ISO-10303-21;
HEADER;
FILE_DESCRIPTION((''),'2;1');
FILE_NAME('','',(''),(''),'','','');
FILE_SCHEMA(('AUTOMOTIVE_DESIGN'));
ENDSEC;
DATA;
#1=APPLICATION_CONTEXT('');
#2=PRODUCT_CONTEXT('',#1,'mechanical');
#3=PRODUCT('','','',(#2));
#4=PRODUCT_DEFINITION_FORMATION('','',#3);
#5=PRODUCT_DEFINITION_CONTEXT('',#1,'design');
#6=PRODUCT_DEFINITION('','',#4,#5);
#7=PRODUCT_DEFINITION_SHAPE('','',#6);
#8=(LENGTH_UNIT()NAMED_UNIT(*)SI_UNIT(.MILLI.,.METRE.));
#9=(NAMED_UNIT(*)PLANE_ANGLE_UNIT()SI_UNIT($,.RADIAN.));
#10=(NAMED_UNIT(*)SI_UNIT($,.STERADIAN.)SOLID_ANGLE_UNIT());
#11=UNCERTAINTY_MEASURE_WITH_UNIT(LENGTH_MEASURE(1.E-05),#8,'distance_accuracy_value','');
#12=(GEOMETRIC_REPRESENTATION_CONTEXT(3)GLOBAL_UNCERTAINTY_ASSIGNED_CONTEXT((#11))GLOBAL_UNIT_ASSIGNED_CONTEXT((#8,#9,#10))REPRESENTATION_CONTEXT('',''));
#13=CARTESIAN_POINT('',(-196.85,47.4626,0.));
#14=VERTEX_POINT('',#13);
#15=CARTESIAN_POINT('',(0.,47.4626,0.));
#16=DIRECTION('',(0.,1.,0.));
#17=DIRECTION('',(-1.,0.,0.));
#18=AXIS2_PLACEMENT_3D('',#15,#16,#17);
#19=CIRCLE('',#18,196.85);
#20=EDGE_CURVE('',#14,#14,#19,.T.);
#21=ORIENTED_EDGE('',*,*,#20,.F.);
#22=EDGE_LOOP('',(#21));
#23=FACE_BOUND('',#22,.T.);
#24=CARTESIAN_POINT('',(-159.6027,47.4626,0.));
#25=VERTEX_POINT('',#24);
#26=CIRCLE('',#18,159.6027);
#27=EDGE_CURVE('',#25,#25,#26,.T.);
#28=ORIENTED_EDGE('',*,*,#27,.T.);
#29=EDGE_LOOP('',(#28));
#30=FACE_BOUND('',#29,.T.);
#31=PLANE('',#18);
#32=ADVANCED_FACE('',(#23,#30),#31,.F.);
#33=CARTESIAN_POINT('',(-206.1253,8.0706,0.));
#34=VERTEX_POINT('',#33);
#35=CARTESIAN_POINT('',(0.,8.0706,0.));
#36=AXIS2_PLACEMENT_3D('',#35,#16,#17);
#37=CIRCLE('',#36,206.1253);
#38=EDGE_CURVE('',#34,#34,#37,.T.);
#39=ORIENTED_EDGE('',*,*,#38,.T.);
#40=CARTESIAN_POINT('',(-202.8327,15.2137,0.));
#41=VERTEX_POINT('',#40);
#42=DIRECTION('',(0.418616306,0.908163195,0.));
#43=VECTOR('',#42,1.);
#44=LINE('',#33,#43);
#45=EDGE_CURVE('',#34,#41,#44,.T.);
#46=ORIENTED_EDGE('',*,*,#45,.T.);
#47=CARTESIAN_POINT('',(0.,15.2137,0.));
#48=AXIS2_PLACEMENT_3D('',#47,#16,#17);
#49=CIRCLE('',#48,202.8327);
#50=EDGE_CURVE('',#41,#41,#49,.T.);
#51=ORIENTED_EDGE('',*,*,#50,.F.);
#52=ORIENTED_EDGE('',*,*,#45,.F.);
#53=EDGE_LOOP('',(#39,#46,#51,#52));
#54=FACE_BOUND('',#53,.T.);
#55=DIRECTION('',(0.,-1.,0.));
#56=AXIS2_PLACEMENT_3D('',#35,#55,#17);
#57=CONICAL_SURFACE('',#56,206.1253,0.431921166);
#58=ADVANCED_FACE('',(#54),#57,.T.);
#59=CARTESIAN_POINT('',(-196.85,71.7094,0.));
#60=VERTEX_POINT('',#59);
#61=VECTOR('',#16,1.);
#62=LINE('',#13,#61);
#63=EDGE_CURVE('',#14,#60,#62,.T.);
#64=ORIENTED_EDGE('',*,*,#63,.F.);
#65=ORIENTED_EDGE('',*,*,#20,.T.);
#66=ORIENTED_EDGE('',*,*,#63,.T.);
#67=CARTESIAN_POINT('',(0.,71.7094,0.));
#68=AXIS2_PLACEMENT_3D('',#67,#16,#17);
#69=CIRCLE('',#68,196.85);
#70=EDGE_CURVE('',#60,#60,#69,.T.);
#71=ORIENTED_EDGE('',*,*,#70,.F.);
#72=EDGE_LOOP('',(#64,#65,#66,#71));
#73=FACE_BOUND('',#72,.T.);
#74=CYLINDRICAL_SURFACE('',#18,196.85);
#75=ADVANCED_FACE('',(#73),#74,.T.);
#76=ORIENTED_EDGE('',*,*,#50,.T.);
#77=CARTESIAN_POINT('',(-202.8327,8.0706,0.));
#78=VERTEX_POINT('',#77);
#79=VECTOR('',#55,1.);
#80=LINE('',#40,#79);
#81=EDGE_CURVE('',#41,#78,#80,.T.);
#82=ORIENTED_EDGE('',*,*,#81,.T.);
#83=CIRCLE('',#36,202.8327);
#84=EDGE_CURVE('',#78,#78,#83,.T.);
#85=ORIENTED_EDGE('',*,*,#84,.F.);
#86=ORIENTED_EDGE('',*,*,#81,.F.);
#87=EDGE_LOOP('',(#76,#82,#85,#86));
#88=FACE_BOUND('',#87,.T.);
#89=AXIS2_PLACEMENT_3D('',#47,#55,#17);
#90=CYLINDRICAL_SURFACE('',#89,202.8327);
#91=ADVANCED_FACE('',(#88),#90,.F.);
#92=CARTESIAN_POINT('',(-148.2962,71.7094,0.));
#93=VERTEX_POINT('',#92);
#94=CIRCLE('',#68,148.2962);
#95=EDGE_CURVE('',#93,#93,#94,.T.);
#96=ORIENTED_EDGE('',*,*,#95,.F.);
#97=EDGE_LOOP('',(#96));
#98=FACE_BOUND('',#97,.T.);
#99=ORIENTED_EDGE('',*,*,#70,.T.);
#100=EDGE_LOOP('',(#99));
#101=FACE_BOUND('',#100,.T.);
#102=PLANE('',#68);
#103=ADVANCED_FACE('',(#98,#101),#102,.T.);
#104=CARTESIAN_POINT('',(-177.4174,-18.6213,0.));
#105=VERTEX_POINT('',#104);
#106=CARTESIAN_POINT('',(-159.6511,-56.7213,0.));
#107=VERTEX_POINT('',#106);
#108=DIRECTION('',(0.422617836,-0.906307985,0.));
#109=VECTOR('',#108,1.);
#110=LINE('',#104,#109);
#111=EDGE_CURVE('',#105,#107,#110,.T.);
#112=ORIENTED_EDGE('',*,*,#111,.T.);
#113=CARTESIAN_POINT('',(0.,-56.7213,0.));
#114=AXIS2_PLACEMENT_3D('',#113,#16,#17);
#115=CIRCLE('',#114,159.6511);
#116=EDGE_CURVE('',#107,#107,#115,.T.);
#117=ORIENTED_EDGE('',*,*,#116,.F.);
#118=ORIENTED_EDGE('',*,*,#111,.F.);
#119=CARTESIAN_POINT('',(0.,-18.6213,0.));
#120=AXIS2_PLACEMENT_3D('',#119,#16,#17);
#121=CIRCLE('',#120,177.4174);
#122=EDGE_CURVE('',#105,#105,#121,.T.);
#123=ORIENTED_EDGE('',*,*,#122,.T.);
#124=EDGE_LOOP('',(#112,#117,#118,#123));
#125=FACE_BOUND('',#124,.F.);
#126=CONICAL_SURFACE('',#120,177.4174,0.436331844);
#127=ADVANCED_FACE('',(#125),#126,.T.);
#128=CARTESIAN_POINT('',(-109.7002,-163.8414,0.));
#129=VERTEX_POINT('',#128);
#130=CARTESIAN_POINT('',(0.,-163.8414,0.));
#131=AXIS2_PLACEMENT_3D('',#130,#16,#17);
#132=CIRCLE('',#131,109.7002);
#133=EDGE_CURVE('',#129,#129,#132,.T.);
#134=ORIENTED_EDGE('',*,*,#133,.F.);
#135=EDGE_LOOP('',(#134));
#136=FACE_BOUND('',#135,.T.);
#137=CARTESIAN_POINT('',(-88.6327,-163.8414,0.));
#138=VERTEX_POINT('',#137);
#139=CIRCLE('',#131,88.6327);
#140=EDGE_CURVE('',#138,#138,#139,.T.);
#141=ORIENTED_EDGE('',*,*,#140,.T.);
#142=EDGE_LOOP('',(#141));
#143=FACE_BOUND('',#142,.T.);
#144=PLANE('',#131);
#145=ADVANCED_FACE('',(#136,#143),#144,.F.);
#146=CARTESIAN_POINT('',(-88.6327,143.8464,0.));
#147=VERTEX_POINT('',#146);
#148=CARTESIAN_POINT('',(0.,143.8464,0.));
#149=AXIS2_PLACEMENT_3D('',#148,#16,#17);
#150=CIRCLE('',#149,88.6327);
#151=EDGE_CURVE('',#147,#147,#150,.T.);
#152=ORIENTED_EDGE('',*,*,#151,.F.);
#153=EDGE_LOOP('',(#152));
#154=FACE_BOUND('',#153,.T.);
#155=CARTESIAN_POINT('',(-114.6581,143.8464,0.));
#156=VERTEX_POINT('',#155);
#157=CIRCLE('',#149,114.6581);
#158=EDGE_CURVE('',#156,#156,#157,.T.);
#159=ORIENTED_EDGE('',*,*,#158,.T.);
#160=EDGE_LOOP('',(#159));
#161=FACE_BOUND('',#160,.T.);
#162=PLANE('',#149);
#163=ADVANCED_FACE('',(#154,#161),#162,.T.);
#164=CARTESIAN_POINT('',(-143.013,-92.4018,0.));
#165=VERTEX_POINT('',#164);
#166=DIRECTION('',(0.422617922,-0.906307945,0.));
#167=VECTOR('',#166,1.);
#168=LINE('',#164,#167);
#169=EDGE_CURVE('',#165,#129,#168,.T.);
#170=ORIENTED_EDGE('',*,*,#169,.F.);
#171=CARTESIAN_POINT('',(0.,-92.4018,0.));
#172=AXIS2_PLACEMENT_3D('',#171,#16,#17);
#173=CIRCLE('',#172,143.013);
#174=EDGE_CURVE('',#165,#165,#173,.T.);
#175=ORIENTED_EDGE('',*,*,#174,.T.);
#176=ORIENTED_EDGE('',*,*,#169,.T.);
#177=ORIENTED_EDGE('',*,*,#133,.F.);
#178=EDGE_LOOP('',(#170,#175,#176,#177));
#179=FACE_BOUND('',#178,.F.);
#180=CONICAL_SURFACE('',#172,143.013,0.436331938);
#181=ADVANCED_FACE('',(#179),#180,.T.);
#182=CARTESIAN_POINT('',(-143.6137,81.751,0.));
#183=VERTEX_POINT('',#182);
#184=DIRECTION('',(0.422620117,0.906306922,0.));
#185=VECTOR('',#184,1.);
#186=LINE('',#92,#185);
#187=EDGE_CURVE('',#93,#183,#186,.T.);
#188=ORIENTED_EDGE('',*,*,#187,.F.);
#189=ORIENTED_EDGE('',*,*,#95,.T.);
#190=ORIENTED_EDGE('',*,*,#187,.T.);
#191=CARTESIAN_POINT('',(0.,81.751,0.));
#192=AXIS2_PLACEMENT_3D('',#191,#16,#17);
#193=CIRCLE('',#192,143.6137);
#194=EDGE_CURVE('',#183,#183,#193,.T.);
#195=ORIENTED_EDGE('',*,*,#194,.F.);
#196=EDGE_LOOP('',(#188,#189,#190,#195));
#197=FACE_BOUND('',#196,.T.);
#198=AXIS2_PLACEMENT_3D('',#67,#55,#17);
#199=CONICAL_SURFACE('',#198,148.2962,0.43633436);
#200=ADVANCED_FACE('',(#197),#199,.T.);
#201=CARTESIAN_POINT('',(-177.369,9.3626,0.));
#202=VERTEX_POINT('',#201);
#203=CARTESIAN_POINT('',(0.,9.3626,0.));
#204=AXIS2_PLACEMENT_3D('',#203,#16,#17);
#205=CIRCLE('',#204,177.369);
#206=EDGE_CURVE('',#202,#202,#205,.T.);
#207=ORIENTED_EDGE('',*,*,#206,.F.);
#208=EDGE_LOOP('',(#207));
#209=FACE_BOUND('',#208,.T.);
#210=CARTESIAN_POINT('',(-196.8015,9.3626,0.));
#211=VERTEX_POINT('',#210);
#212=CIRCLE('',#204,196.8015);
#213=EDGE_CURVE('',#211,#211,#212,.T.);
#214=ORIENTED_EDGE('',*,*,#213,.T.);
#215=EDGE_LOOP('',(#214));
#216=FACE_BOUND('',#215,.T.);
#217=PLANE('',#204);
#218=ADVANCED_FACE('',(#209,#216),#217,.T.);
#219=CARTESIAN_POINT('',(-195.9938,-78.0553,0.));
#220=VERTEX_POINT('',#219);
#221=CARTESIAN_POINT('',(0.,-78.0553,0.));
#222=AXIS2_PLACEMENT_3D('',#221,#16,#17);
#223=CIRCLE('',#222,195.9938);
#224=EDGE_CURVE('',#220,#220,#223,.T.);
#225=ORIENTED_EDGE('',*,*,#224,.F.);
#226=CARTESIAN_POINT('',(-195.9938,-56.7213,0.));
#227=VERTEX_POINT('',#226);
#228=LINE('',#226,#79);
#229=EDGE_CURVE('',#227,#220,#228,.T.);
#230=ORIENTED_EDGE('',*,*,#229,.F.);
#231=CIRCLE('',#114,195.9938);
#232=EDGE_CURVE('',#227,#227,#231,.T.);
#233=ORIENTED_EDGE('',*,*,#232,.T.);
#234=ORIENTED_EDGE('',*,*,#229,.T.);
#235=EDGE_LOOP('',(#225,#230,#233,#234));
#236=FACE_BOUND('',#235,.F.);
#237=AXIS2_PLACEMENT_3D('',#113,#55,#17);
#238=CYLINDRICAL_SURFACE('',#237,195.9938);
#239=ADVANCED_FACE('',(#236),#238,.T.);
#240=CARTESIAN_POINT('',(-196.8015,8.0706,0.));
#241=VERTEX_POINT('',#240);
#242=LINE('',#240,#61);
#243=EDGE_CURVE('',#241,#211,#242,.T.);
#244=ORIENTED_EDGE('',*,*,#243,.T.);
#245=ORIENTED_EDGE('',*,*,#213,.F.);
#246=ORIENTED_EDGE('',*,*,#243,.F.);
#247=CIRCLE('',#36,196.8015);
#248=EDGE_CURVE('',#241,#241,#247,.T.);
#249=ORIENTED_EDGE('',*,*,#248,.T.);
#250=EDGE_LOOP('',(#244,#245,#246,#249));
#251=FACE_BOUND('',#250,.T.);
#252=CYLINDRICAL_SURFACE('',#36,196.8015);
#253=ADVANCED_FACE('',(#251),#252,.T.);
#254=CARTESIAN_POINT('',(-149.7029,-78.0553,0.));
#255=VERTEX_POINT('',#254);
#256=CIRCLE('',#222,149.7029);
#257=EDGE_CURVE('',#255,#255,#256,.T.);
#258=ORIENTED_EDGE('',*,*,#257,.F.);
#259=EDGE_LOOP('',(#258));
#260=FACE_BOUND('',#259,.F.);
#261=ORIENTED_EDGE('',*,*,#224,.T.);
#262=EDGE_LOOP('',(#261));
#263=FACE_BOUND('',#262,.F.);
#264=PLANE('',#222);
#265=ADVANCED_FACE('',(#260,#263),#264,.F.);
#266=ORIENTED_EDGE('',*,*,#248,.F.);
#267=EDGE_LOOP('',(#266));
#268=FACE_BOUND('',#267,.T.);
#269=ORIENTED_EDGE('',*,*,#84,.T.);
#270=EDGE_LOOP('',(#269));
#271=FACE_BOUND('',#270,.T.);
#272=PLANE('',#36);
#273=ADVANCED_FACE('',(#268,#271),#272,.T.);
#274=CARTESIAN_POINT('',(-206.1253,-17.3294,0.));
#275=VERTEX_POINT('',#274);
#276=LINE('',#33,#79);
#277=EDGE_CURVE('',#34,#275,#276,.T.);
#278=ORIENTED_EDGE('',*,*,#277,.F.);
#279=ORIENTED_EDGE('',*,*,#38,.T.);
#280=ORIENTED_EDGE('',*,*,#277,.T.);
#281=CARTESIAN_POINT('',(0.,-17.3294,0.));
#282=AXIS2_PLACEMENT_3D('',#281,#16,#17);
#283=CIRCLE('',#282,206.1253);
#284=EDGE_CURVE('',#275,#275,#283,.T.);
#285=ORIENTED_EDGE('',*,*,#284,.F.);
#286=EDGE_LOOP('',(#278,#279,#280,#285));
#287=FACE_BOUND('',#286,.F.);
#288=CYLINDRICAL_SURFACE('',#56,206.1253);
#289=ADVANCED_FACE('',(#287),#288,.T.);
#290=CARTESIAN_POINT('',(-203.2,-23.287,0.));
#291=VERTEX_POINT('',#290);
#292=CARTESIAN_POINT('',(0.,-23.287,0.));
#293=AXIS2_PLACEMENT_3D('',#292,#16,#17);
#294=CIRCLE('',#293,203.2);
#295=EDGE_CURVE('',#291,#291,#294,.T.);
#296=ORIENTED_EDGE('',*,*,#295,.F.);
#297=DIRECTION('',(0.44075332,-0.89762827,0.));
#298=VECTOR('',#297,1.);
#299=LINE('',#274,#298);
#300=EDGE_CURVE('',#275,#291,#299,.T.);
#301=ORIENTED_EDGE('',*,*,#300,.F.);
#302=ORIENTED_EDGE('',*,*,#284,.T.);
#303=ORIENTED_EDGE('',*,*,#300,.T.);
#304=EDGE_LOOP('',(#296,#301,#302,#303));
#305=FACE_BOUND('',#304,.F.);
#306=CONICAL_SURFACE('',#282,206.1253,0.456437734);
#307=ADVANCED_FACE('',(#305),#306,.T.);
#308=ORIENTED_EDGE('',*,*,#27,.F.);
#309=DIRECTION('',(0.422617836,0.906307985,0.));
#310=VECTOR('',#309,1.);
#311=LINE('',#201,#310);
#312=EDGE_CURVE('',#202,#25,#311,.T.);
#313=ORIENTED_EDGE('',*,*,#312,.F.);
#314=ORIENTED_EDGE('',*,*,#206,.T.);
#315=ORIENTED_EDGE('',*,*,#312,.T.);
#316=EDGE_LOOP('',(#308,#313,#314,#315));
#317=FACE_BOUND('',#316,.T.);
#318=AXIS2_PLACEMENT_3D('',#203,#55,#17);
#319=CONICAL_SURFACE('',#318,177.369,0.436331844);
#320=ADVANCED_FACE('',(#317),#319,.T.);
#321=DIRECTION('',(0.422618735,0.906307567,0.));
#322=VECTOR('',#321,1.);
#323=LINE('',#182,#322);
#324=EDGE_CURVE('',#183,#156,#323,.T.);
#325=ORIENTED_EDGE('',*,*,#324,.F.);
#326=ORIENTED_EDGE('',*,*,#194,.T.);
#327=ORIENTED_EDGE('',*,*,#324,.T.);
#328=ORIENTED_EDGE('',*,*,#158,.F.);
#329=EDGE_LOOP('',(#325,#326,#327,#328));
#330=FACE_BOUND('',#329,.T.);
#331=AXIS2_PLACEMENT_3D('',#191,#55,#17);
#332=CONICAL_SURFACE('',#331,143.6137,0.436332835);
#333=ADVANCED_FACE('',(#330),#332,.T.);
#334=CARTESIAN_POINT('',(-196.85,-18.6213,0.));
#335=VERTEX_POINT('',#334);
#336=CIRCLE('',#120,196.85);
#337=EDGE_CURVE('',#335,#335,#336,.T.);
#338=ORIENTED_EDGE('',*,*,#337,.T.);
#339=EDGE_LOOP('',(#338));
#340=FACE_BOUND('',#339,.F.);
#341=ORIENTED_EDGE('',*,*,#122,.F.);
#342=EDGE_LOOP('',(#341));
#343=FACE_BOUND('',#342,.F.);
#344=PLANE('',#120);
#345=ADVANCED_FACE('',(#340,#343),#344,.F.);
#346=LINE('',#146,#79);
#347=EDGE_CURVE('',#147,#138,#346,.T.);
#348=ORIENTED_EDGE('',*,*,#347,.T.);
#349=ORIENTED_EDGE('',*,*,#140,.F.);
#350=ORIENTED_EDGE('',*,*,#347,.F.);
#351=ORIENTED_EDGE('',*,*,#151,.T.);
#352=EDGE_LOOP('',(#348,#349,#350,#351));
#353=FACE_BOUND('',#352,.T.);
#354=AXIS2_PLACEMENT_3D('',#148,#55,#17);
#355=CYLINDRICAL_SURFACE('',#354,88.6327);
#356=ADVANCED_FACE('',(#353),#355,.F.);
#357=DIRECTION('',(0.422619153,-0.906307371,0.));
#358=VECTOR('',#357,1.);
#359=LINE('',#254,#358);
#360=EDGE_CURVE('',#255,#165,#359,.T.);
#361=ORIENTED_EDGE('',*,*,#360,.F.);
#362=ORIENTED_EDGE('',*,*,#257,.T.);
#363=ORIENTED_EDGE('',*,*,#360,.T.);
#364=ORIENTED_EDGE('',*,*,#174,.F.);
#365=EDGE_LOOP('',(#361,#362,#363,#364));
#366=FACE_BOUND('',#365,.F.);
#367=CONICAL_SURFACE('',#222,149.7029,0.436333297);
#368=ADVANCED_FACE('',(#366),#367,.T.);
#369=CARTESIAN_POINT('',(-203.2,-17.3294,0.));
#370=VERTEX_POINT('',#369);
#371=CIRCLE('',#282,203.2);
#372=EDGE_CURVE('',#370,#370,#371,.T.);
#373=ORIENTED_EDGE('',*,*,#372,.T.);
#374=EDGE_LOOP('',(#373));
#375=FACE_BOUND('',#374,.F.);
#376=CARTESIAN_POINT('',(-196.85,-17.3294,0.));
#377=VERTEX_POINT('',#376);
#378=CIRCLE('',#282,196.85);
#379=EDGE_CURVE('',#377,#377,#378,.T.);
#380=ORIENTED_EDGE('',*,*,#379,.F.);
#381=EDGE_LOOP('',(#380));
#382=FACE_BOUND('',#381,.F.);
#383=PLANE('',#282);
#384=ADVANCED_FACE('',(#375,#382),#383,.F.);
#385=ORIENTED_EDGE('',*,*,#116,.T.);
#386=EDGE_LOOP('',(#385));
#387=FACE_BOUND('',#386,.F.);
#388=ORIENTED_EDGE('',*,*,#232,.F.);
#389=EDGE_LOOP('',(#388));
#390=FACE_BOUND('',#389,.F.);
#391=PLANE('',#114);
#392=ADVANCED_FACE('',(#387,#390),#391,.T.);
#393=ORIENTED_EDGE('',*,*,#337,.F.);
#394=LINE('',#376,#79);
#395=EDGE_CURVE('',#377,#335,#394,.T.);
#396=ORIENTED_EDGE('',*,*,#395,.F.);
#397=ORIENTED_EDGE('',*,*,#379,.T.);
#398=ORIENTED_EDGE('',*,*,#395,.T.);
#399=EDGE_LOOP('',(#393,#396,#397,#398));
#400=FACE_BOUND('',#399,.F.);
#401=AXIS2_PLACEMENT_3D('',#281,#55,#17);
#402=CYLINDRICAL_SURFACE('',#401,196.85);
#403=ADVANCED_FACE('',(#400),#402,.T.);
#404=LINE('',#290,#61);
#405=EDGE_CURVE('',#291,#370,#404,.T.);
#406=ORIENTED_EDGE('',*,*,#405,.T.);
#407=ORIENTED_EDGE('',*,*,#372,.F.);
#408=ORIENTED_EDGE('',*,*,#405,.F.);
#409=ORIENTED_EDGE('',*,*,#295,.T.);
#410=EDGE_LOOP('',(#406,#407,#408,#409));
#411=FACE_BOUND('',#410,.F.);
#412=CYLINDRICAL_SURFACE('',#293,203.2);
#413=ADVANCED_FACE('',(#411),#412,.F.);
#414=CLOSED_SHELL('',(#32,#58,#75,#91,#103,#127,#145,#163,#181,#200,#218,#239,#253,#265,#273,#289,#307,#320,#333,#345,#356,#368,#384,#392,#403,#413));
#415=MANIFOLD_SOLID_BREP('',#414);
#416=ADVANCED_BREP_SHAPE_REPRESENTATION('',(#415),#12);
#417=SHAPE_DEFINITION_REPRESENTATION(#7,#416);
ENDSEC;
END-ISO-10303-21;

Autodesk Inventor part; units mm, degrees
ref_plane "YZ Plane" through (0, 0, 0) normal (1, 0, 0) x (0, 1, 0)
ref_plane "XZ Plane" through (0, 0, 0) normal (0, 1, 0) x (-1, 0, 0)
ref_plane "XY Plane" through (0, 0, 0) normal (0, 0, 1) x (1, 0, 0)
sketch "Sketch1" plane through (0, 0, 0) normal (0, 0, 1) x (1, 0, 0)
  line L0 (0, 0) -> (0, 25.4713) construction
  line L1 (-206.1253, 8.0706) -> (-206.1253, -17.3294)
  line L2 (-206.1253, -17.3294) -> (-203.2, -23.287)
  line L3 (-203.2, -23.287) -> (-203.2, -17.3294)
  line L4 (-203.2, -17.3294) -> (-196.85, -17.3294)
  line L5 (-196.85, -17.3294) -> (-196.85, -18.6213)
  line L6 (-206.1253, 8.0706) -> (-202.8327, 15.2137)
  line L7 (-202.8327, 15.2137) -> (-202.8327, 8.0706)
  line L8 (-202.8327, 8.0706) -> (-196.8015, 8.0706)
  line L9 (-196.8015, 8.0706) -> (-196.8015, 9.3626)
  line L10 (-196.8015, 9.3626) -> (-177.369, 9.3626)
  line L11 (-196.85, -18.6213) -> (-177.4174, -18.6213)
  line L12 (-159.6027, 47.4626) -> (-196.85, 47.4626)
  line L13 (-196.85, 47.4626) -> (-196.85, 71.7094)
  line L14 (-196.85, 71.7094) -> (-148.2962, 71.7094)
  line L15 (-159.6511, -56.7213) -> (-195.9938, -56.7213)
  line L16 (-195.9938, -56.7213) -> (-195.9938, -78.0553)
  line L17 (-195.9938, -78.0553) -> (-149.7029, -78.0553)
  line L18 (-177.369, 9.3626) -> (-159.6027, 47.4626)
  line L19 (-148.2962, 71.7094) -> (-143.6137, 81.751)
  line L20 (-177.4174, -18.6213) -> (-159.6511, -56.7213)
  line L21 (-149.7029, -78.0553) -> (-143.013, -92.4018)
  line L22 (-143.6137, 81.751) -> (-114.6581, 143.8464)
  line L23 (-143.013, -92.4018) -> (-109.7002, -163.8414)
  line L24 (-114.6581, 143.8464) -> (-88.6327, 143.8464)
  line L25 (-88.6327, 143.8464) -> (-88.6327, -163.8414)
  line L26 (-88.6327, -163.8414) -> (-109.7002, -163.8414)
  dimension "d0" = 6.35
  dimension "d3" = 203.2
  dimension "d11" = 38.1
  dimension "d12" = 38.1
  dimension "d13" = 0
  dimension "d14" = 25.4
  dimension "d15" = 0
  dimension "d16" = 115
  dimension "d17" = 115
revolve "Revolution1" add sketch "Sketch1" angle 360 about axis through (0, 0, 0) along (0, 1, 0)
properties part number "Section Adaptor WIP"
